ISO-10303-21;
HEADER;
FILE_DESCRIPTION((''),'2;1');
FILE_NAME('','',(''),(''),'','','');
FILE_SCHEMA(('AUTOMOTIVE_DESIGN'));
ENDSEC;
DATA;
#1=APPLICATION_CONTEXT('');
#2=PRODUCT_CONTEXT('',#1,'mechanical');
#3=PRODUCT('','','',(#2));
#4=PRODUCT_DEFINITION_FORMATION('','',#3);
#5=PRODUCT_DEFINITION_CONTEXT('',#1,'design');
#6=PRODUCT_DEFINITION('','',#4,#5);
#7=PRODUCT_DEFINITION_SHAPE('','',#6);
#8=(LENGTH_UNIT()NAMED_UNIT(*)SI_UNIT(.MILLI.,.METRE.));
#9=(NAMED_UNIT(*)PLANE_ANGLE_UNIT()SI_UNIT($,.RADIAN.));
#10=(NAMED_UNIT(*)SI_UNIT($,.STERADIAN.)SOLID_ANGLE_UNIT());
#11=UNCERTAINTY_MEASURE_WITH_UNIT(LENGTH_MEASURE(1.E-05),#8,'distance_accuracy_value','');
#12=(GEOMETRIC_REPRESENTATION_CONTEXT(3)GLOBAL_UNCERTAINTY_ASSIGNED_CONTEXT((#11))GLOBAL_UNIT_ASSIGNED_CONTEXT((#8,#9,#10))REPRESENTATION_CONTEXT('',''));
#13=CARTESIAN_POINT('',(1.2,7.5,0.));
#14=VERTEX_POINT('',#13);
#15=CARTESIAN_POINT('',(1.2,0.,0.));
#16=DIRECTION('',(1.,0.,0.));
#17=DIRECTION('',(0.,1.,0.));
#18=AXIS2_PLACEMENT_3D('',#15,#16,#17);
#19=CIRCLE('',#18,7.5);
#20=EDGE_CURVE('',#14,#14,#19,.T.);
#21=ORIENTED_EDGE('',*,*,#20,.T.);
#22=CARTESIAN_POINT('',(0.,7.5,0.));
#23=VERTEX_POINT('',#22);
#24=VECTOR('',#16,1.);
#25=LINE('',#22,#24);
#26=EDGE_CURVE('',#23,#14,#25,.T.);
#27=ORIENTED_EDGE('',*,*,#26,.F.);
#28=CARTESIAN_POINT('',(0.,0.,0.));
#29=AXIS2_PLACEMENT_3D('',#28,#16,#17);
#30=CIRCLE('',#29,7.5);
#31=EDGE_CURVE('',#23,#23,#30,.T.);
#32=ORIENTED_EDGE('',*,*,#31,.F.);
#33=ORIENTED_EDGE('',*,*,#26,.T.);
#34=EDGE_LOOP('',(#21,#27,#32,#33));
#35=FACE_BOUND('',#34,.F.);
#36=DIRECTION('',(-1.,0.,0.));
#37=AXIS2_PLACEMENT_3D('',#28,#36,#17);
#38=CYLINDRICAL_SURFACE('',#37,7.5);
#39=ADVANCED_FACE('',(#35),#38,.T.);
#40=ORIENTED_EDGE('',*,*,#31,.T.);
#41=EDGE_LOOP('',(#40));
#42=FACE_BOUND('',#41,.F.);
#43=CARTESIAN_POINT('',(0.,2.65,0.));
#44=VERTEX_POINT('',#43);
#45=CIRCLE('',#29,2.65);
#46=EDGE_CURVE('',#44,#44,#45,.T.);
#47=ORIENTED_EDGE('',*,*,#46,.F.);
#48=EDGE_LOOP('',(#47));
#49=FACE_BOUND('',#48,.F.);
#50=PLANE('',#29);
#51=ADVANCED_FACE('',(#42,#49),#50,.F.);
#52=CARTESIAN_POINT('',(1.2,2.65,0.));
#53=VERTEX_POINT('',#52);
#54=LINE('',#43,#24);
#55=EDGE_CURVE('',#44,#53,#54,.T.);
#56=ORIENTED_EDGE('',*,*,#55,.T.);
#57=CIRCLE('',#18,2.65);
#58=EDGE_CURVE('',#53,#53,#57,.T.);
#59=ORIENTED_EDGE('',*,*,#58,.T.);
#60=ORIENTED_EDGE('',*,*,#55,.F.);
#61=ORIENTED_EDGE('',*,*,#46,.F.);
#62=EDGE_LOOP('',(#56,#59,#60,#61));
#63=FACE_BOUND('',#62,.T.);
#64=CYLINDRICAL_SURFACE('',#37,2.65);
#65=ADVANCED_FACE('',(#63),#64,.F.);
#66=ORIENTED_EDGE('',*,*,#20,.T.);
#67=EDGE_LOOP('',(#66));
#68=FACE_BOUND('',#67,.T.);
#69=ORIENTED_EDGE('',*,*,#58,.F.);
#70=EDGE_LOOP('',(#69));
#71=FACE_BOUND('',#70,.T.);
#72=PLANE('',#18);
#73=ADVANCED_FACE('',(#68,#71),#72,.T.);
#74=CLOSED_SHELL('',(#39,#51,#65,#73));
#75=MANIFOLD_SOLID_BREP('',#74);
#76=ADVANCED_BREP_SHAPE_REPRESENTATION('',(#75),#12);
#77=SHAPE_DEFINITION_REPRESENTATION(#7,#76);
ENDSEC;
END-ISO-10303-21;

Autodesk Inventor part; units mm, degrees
ref_plane "YZ Plane" through (0, 0, 0) normal (1, 0, 0) x (0, 1, 0)
ref_plane "XZ Plane" through (0, 0, 0) normal (0, 1, 0) x (-1, 0, 0)
sketch "Sketch" plane through (0, 0, 0) normal (1, 0, 0) x (0, 1, 0)
  circle A0 centre (0, 0) radius 7.5
  circle A1 centre (0, 0) radius 2.65
  dimension "d0" = 5.3
  dimension "d1" = 15
extrude "Body" add sketch "Sketch" along normal blind 1.2
ref_plane "Work Plane1" through (0, 0, 0) normal (0, 0, 1) x (1, 0, 0)
equation "\"d0\" = SD1"
equation "\"d1\" = SD2"
equation "\"d2\" = SD"
equation "\"SD1\" = 5.3"
equation "\"SD2\" = 15"
equation "\"SD\" = 1.2"
equation "\"NND\" = 5"
properties part number "DIN 9021 - 5.3" material "Steel, Mild"
